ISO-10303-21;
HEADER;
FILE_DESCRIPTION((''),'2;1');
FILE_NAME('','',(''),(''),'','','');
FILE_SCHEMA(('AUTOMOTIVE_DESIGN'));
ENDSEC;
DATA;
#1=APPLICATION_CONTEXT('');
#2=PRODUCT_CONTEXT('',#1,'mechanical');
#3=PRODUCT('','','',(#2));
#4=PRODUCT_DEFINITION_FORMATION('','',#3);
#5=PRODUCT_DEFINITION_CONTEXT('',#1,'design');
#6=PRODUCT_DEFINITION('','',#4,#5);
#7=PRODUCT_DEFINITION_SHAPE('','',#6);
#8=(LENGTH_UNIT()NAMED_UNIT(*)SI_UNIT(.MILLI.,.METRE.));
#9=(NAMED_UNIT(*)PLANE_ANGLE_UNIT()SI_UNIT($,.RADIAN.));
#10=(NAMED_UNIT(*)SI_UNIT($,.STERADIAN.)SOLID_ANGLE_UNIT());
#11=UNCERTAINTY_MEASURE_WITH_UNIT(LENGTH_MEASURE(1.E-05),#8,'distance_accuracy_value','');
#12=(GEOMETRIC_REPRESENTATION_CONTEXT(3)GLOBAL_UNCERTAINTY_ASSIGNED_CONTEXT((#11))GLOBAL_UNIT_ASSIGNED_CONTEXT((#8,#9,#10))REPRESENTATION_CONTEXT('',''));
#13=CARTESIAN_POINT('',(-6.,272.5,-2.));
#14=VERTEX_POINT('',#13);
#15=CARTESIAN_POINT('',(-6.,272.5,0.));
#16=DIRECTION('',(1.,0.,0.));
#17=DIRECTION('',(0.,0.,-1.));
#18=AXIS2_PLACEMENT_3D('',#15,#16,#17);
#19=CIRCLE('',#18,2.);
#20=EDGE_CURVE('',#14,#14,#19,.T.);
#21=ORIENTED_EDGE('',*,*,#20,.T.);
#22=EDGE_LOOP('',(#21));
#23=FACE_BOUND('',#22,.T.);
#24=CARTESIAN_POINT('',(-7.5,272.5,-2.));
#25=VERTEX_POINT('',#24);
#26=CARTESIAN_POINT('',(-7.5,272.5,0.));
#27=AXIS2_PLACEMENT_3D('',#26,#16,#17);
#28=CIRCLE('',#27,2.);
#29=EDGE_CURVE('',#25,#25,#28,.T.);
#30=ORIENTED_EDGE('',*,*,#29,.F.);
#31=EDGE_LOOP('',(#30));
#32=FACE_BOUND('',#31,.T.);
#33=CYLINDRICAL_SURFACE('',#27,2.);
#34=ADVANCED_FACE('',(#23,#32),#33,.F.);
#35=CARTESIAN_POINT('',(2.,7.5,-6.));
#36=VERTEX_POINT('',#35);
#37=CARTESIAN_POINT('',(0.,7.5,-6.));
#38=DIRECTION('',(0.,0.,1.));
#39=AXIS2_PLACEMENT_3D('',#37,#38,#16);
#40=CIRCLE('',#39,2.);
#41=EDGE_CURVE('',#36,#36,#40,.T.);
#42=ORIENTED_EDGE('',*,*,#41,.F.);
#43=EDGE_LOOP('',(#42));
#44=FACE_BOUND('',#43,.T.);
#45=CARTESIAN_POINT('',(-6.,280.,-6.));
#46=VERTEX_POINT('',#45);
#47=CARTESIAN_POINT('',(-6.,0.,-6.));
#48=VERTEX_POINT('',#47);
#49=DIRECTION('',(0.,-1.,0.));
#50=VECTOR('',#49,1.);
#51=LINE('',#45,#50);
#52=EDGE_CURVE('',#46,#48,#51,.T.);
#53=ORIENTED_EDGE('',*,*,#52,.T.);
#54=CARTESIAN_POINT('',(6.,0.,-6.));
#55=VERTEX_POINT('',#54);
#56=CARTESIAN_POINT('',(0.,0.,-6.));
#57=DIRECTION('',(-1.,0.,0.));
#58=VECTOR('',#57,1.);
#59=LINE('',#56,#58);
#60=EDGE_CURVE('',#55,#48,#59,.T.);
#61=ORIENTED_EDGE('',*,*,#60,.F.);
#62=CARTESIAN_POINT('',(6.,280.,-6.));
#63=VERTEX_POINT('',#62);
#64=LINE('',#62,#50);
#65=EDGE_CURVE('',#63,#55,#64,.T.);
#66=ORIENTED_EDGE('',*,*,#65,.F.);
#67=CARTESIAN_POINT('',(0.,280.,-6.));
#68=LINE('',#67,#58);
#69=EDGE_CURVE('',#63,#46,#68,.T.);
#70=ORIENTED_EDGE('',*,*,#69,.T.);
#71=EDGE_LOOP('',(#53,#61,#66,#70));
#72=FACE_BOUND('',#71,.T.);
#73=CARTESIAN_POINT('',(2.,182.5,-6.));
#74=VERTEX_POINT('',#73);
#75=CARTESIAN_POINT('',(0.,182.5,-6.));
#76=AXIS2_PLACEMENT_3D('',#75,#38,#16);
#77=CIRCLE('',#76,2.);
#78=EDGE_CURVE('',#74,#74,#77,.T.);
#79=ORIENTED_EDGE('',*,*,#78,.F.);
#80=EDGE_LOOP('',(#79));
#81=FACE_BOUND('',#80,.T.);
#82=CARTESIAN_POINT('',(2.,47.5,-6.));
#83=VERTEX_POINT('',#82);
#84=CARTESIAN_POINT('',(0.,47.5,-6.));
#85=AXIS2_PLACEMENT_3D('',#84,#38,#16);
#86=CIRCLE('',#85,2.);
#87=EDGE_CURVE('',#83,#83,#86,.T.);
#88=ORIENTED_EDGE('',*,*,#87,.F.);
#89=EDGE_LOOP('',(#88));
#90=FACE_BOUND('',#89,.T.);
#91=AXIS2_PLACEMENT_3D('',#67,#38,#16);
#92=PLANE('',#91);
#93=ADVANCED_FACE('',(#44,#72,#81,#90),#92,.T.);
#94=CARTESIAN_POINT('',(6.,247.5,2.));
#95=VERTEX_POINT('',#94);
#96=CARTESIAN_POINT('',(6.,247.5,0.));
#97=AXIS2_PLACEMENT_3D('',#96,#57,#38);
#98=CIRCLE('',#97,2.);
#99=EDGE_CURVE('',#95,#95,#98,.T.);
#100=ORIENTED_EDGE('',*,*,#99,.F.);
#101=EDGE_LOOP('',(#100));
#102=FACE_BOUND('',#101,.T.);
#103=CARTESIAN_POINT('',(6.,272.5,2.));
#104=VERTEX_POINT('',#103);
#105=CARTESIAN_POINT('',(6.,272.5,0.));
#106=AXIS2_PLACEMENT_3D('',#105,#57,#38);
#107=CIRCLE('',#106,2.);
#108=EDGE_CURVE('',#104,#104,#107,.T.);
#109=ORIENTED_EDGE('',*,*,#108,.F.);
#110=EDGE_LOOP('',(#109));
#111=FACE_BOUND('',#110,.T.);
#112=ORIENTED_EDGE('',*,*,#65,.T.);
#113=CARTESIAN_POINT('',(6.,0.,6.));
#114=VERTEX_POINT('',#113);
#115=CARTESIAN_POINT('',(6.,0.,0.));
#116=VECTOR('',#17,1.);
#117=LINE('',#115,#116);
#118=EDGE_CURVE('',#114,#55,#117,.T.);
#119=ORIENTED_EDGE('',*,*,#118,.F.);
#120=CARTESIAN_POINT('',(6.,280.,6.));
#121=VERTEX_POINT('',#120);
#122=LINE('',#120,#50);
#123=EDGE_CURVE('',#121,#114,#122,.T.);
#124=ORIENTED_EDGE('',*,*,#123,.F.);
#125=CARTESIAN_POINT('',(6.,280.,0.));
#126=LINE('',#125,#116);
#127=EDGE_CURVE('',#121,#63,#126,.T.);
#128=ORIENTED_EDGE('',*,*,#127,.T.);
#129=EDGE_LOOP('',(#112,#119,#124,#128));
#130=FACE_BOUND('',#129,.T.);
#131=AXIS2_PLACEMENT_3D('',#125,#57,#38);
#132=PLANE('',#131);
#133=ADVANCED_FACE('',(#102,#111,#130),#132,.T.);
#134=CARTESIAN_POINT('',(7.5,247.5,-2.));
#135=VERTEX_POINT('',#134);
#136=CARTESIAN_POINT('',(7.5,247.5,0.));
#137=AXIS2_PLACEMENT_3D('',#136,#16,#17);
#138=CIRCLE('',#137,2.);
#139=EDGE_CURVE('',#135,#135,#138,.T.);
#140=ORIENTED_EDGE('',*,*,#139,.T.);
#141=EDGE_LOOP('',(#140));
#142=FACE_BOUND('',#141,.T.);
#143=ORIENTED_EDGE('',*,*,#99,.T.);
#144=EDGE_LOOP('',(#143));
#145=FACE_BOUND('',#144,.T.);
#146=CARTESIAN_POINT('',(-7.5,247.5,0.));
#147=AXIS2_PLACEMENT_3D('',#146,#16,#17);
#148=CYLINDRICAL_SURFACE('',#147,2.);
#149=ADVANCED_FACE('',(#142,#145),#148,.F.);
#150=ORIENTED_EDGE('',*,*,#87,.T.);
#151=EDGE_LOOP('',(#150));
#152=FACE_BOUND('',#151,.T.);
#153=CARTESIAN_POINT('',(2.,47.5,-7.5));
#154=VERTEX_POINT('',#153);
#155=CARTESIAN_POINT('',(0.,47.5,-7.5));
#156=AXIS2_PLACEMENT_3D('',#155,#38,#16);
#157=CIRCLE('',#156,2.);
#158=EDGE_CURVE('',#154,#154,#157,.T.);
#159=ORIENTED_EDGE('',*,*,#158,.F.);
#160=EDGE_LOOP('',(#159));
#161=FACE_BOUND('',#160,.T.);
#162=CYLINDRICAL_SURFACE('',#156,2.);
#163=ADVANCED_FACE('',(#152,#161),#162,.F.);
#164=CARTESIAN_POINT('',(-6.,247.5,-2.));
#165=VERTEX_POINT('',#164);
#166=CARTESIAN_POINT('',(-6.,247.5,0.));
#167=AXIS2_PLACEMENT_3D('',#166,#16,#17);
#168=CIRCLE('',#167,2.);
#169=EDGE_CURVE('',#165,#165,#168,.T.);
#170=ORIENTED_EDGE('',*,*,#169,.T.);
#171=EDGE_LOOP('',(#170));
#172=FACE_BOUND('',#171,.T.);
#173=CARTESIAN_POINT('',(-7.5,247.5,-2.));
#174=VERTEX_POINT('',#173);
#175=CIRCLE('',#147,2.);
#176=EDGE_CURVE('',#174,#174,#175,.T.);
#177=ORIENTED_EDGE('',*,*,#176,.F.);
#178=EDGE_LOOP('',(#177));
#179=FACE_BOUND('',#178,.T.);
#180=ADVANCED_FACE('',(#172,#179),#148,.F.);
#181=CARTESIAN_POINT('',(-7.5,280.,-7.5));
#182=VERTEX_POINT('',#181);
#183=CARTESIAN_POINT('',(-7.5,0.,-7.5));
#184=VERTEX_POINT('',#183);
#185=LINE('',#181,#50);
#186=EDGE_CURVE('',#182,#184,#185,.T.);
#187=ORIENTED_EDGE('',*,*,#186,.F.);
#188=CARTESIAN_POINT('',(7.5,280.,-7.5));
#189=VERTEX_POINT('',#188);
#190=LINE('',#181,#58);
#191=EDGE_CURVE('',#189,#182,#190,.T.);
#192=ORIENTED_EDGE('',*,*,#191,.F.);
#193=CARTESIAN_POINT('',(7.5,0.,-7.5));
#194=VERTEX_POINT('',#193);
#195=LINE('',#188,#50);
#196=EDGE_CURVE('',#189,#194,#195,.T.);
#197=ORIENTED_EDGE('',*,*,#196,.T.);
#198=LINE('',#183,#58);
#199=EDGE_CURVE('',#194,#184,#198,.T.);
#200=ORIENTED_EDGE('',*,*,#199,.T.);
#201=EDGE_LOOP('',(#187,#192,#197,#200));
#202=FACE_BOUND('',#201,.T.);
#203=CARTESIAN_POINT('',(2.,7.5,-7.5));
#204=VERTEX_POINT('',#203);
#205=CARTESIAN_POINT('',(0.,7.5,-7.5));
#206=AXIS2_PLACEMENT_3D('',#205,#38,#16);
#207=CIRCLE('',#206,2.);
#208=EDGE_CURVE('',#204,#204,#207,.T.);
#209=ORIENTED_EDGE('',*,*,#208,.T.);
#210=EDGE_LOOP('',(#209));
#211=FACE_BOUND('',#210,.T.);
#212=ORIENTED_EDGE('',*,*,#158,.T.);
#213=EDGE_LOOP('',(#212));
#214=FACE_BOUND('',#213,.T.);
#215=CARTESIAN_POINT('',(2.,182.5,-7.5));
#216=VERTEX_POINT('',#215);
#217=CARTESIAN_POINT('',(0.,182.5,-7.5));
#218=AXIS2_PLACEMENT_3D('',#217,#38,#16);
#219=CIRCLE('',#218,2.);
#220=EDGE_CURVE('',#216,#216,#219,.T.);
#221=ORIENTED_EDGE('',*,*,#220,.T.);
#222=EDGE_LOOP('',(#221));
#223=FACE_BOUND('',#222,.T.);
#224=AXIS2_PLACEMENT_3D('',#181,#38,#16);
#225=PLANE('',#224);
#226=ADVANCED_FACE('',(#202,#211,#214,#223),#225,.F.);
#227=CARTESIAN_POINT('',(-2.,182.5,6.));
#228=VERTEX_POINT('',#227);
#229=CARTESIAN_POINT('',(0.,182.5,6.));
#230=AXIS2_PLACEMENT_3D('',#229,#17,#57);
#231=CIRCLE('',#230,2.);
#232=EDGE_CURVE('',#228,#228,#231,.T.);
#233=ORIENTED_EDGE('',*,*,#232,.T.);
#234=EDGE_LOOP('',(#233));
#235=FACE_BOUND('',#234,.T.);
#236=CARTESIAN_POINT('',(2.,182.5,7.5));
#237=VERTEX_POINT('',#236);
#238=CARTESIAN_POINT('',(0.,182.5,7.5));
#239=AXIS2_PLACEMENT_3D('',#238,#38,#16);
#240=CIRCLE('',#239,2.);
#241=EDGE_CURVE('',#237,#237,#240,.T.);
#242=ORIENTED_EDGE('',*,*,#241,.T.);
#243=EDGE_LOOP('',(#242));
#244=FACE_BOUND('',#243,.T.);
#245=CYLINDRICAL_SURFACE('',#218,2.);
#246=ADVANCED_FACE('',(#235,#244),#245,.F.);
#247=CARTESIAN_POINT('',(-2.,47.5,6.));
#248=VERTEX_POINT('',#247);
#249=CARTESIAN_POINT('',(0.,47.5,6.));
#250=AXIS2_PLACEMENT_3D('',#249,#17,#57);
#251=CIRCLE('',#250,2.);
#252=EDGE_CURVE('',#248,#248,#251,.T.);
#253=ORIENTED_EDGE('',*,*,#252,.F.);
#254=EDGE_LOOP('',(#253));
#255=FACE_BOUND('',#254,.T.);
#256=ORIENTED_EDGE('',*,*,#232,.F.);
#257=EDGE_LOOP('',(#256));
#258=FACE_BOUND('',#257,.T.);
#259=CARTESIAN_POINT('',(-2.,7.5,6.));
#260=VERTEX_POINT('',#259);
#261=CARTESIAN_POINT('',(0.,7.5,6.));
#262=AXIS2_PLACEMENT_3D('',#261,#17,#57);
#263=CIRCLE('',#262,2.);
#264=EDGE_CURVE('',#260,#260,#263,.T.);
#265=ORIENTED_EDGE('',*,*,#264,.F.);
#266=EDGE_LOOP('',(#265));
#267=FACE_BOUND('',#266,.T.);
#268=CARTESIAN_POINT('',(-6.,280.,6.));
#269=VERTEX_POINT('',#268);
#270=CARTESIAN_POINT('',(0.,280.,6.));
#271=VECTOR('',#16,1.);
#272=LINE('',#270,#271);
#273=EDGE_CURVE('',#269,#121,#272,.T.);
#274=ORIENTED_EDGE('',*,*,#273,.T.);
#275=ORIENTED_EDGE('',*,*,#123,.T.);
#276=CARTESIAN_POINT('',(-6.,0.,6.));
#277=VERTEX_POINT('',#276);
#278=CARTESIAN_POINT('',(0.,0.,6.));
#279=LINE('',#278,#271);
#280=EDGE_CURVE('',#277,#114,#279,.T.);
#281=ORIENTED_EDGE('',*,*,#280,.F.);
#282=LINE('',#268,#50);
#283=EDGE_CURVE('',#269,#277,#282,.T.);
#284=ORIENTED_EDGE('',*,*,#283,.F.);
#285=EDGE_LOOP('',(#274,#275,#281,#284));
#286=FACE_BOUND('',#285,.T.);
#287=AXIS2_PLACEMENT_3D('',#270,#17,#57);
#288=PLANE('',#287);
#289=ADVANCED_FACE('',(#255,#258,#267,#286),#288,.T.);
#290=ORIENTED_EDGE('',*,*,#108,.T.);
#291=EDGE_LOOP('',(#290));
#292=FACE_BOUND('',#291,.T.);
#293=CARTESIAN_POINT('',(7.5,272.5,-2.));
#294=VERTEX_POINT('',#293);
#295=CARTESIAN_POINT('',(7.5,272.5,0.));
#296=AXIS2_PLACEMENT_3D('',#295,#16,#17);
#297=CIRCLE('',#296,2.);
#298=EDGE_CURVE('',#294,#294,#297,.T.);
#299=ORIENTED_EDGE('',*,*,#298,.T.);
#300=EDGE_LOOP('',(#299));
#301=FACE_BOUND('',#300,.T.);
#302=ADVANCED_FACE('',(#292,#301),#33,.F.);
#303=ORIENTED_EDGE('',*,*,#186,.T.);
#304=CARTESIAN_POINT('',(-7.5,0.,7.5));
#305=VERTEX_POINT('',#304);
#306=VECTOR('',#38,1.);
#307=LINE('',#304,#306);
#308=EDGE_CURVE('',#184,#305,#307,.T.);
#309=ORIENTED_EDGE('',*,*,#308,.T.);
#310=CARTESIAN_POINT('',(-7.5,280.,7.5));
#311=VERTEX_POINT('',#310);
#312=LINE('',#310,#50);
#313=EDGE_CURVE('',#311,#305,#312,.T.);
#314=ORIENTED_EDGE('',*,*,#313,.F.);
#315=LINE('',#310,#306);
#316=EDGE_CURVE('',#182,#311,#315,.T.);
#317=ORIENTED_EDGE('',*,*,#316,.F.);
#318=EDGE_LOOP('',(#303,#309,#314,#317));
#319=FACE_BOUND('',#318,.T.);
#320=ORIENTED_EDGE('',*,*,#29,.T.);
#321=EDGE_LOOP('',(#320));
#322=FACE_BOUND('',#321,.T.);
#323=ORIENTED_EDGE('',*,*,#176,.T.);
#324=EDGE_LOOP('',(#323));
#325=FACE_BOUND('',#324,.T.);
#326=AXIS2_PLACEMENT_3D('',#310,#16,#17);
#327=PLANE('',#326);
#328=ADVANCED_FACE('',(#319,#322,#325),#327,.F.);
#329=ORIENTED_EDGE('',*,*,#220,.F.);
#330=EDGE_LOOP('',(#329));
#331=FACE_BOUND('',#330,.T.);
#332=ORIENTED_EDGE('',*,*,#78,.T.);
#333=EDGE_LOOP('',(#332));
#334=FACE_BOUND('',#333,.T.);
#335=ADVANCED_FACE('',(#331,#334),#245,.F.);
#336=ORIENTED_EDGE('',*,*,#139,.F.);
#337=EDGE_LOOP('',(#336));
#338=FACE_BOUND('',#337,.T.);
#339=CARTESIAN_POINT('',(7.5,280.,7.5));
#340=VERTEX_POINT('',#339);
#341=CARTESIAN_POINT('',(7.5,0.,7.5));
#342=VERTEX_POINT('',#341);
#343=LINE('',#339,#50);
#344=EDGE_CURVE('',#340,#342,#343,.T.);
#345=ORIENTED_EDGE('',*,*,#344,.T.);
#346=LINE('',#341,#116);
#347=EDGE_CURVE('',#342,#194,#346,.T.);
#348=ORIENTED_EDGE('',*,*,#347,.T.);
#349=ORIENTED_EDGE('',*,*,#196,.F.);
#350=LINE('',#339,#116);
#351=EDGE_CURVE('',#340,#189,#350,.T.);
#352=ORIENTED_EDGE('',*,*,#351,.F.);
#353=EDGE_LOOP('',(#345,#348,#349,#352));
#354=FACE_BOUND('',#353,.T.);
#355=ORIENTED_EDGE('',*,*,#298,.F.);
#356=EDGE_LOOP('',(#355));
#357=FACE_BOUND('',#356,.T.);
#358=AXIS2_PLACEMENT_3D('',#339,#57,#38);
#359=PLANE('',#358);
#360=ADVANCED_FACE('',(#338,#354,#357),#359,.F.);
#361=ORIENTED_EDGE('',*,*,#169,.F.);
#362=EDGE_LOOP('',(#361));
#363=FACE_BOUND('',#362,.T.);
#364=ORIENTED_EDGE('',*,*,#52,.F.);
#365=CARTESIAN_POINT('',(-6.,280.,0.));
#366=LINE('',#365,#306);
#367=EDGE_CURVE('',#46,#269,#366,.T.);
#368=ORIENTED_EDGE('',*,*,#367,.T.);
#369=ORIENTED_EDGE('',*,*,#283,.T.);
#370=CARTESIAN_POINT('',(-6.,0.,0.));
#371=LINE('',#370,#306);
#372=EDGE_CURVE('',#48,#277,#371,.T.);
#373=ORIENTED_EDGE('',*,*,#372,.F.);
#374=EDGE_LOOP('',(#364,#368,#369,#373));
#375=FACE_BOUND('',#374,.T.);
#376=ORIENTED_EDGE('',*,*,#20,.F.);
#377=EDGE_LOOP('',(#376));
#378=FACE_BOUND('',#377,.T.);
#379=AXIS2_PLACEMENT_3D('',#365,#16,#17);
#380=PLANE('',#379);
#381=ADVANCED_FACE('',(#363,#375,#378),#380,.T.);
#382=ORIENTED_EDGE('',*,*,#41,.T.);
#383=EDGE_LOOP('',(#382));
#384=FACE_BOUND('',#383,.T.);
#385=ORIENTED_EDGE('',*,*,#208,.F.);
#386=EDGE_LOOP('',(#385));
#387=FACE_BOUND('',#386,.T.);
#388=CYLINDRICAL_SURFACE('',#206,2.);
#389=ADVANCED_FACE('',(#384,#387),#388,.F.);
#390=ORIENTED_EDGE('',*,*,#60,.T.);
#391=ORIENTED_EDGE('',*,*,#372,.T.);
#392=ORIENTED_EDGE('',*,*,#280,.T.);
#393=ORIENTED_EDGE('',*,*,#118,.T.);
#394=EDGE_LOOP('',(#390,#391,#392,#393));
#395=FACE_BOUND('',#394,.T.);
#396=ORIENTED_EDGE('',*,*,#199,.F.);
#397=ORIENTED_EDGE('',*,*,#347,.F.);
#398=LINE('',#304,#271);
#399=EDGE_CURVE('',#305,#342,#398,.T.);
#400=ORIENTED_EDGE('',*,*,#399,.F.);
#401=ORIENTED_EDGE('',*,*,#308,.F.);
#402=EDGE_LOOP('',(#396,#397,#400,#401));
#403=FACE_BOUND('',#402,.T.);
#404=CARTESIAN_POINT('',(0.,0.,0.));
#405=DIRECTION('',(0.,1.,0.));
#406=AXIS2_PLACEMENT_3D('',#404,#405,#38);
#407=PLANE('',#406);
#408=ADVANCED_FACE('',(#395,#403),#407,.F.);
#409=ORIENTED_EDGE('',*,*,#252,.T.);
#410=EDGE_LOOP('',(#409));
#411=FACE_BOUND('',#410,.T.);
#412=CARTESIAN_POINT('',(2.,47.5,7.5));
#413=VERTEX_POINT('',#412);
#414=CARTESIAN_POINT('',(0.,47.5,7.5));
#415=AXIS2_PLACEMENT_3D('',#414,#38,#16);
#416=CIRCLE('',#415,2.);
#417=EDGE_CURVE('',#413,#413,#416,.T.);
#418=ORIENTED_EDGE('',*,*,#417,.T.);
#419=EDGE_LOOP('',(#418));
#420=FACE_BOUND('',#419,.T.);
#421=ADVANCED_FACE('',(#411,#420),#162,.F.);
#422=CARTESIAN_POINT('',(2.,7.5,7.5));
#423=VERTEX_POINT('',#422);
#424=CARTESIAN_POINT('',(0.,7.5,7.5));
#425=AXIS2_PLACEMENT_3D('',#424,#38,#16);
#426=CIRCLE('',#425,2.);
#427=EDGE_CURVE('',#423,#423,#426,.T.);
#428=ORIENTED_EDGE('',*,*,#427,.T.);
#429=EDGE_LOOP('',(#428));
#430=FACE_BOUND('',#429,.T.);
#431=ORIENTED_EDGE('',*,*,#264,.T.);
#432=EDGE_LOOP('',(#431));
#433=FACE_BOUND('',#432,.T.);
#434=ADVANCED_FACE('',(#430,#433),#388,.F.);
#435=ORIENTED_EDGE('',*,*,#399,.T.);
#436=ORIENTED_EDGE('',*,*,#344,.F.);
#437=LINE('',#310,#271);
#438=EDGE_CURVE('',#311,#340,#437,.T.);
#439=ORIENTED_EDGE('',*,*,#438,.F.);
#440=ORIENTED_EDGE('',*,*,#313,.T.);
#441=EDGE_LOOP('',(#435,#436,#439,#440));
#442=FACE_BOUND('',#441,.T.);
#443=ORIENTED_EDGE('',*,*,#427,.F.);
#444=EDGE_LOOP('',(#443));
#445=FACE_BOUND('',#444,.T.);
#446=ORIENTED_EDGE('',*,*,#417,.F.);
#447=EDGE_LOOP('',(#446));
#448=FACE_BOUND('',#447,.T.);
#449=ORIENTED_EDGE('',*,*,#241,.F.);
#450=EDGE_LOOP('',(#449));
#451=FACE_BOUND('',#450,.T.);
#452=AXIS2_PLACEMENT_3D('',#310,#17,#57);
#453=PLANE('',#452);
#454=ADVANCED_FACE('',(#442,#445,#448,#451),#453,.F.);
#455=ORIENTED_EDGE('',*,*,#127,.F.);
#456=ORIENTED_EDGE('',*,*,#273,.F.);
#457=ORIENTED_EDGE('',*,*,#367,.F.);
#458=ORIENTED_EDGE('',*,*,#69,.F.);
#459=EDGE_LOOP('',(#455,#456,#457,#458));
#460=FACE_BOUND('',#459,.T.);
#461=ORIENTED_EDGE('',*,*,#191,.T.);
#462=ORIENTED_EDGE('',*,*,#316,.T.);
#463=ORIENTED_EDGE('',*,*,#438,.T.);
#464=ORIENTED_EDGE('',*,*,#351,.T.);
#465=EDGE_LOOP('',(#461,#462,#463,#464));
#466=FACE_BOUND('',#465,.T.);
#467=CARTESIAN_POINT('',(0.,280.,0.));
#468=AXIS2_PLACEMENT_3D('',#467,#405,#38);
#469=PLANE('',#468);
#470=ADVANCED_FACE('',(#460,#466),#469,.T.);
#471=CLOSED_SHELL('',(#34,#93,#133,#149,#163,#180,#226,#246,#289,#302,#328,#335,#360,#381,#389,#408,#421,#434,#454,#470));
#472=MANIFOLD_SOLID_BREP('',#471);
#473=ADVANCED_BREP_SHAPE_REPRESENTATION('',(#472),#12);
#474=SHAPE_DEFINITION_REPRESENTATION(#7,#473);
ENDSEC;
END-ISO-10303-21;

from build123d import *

# Parameters (mm, degrees)
SKETCH_1_W          = 15
SKETCH_1_H          = 15
SKETCH_1_W_2        = 12
SKETCH_1_H_2        = 12
EXTRUDE_1_DEPTH     = 280
SKETCH_2_R          = 2
CUT_EXTRUDE_1_DEPTH = 281.501782526
SKETCH_3_R          = 2
CUT_EXTRUDE_2_DEPTH = 281.501782526


with BuildPart() as part:
    # ｽｹｯﾁ1 → 押し出し-薄板1 (new body)
    with BuildSketch(Plane(origin=(0, 0, 0), x_dir=(1, 0, 0), z_dir=(0, 1, 0))):
        Rectangle(SKETCH_1_W, SKETCH_1_H)
        Rectangle(SKETCH_1_W_2, SKETCH_1_H_2, mode=Mode.SUBTRACT)
    extrude(amount=EXTRUDE_1_DEPTH)

    # ｽｹｯﾁ2 → ｶｯﾄ - 押し出し1 (cut, through all)
    with BuildSketch(Plane(origin=(7.5, 0, 0), x_dir=(0, 0, -1), z_dir=(1, 0, 0))):
        with Locations((0, 272.5)):
            Circle(SKETCH_2_R)
        with Locations((0, 247.5)):
            Circle(SKETCH_2_R)
    extrude(amount=-CUT_EXTRUDE_1_DEPTH, mode=Mode.SUBTRACT)

    # ｽｹｯﾁ3 → ｶｯﾄ - 押し出し2 (cut, through all)
    with BuildSketch(Plane.XY.offset(7.5)):
        with Locations((0, 7.5)):
            Circle(SKETCH_3_R)
        with Locations((0, 47.5)):
            Circle(SKETCH_3_R)
        with Locations((0, 182.5)):
            Circle(SKETCH_3_R)
    extrude(amount=-CUT_EXTRUDE_2_DEPTH, mode=Mode.SUBTRACT)


solid = part.part
